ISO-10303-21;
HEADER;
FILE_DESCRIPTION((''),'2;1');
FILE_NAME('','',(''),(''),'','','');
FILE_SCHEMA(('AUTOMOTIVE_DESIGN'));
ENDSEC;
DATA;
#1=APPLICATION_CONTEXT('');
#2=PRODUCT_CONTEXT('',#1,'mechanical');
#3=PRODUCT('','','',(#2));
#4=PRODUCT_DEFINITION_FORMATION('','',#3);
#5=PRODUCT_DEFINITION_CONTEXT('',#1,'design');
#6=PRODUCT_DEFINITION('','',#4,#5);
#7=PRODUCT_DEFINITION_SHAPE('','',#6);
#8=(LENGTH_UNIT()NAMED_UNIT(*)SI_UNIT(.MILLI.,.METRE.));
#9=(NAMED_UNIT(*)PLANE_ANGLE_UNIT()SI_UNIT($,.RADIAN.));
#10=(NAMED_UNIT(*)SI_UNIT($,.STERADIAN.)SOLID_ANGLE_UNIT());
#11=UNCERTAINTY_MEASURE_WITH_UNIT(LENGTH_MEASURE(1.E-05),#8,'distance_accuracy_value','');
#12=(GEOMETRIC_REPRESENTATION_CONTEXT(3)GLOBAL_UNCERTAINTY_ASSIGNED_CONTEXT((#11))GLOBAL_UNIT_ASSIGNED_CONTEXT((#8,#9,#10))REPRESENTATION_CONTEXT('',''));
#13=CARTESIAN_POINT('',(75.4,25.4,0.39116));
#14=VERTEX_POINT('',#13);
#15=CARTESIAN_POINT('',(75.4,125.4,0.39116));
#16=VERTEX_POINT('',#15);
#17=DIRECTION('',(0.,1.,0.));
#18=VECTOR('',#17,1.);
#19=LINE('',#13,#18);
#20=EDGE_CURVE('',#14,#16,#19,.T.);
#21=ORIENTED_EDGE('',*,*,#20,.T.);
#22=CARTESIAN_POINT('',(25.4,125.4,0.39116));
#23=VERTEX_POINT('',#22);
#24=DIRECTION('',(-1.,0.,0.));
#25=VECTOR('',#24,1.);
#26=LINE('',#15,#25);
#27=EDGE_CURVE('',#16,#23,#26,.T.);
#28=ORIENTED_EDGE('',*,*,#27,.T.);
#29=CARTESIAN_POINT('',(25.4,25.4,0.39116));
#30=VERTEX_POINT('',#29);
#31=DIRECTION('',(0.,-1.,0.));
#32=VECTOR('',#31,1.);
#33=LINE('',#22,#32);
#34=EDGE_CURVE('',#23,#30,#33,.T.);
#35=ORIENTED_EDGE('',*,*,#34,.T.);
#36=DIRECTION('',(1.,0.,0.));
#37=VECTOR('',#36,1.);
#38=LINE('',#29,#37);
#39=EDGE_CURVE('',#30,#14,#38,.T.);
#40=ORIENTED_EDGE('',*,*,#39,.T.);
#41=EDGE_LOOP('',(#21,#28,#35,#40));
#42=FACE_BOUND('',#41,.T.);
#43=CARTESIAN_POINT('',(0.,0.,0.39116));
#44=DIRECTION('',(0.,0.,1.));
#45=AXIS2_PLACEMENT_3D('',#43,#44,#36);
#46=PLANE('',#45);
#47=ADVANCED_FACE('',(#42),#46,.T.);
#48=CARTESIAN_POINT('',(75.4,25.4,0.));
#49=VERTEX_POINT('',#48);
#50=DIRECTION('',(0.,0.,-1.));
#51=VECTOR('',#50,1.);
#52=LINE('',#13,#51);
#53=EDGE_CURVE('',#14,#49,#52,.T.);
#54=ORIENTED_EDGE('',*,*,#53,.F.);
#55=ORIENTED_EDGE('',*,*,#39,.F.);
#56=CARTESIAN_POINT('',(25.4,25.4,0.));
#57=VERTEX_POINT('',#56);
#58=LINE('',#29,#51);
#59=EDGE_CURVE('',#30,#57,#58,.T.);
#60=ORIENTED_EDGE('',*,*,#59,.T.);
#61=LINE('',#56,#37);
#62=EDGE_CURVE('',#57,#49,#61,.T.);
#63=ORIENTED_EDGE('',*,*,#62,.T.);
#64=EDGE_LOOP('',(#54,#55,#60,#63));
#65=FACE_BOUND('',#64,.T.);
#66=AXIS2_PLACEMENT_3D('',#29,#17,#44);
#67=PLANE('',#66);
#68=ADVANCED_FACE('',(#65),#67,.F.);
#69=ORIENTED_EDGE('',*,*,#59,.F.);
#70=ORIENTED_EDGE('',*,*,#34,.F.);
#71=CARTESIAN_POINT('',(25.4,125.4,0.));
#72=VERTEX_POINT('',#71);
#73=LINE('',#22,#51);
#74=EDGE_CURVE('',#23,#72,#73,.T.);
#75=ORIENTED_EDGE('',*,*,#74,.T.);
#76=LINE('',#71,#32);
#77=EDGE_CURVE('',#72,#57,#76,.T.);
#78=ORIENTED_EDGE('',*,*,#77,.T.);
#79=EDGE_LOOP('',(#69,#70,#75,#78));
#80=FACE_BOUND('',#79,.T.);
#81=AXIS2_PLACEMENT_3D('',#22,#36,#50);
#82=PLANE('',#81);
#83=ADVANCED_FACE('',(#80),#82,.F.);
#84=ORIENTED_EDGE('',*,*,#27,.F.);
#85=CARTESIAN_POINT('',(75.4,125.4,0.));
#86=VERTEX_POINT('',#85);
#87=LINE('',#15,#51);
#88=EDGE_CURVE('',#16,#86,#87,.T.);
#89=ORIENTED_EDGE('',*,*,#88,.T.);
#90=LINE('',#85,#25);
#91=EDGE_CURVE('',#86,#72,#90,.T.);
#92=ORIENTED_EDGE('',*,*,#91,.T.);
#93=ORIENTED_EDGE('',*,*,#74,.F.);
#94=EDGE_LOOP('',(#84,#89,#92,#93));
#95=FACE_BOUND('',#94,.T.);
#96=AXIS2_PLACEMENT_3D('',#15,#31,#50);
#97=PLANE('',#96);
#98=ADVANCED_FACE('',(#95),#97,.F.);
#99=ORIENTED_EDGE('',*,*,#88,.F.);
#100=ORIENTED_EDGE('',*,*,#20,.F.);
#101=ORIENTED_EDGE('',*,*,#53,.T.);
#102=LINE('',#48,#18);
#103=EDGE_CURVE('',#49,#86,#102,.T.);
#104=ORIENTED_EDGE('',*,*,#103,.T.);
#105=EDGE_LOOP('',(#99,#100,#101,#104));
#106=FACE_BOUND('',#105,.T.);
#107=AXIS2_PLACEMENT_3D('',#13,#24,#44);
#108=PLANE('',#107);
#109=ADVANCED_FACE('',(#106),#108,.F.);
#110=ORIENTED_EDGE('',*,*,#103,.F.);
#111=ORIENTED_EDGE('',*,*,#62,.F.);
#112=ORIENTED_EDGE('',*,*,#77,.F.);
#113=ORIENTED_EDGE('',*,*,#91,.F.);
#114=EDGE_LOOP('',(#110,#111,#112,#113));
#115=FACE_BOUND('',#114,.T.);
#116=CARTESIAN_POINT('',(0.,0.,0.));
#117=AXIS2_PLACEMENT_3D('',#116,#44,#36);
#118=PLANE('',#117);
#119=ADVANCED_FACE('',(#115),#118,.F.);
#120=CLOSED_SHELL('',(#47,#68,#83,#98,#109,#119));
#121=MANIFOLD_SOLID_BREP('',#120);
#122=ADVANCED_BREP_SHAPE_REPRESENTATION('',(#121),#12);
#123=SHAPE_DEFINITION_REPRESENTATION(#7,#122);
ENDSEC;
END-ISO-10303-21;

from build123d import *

# Parameters (mm, degrees)
SKETCH_1_W  = 50
SKETCH_1_H  = 100
BOARD_DEPTH = 0.39116


with BuildPart() as part:
    # Эскиз1 → Board (new body)
    with BuildSketch(Plane.XY):
        with Locations((50.4, 75.4)):
            Rectangle(SKETCH_1_W, SKETCH_1_H)
    extrude(amount=BOARD_DEPTH)


solid = part.part
